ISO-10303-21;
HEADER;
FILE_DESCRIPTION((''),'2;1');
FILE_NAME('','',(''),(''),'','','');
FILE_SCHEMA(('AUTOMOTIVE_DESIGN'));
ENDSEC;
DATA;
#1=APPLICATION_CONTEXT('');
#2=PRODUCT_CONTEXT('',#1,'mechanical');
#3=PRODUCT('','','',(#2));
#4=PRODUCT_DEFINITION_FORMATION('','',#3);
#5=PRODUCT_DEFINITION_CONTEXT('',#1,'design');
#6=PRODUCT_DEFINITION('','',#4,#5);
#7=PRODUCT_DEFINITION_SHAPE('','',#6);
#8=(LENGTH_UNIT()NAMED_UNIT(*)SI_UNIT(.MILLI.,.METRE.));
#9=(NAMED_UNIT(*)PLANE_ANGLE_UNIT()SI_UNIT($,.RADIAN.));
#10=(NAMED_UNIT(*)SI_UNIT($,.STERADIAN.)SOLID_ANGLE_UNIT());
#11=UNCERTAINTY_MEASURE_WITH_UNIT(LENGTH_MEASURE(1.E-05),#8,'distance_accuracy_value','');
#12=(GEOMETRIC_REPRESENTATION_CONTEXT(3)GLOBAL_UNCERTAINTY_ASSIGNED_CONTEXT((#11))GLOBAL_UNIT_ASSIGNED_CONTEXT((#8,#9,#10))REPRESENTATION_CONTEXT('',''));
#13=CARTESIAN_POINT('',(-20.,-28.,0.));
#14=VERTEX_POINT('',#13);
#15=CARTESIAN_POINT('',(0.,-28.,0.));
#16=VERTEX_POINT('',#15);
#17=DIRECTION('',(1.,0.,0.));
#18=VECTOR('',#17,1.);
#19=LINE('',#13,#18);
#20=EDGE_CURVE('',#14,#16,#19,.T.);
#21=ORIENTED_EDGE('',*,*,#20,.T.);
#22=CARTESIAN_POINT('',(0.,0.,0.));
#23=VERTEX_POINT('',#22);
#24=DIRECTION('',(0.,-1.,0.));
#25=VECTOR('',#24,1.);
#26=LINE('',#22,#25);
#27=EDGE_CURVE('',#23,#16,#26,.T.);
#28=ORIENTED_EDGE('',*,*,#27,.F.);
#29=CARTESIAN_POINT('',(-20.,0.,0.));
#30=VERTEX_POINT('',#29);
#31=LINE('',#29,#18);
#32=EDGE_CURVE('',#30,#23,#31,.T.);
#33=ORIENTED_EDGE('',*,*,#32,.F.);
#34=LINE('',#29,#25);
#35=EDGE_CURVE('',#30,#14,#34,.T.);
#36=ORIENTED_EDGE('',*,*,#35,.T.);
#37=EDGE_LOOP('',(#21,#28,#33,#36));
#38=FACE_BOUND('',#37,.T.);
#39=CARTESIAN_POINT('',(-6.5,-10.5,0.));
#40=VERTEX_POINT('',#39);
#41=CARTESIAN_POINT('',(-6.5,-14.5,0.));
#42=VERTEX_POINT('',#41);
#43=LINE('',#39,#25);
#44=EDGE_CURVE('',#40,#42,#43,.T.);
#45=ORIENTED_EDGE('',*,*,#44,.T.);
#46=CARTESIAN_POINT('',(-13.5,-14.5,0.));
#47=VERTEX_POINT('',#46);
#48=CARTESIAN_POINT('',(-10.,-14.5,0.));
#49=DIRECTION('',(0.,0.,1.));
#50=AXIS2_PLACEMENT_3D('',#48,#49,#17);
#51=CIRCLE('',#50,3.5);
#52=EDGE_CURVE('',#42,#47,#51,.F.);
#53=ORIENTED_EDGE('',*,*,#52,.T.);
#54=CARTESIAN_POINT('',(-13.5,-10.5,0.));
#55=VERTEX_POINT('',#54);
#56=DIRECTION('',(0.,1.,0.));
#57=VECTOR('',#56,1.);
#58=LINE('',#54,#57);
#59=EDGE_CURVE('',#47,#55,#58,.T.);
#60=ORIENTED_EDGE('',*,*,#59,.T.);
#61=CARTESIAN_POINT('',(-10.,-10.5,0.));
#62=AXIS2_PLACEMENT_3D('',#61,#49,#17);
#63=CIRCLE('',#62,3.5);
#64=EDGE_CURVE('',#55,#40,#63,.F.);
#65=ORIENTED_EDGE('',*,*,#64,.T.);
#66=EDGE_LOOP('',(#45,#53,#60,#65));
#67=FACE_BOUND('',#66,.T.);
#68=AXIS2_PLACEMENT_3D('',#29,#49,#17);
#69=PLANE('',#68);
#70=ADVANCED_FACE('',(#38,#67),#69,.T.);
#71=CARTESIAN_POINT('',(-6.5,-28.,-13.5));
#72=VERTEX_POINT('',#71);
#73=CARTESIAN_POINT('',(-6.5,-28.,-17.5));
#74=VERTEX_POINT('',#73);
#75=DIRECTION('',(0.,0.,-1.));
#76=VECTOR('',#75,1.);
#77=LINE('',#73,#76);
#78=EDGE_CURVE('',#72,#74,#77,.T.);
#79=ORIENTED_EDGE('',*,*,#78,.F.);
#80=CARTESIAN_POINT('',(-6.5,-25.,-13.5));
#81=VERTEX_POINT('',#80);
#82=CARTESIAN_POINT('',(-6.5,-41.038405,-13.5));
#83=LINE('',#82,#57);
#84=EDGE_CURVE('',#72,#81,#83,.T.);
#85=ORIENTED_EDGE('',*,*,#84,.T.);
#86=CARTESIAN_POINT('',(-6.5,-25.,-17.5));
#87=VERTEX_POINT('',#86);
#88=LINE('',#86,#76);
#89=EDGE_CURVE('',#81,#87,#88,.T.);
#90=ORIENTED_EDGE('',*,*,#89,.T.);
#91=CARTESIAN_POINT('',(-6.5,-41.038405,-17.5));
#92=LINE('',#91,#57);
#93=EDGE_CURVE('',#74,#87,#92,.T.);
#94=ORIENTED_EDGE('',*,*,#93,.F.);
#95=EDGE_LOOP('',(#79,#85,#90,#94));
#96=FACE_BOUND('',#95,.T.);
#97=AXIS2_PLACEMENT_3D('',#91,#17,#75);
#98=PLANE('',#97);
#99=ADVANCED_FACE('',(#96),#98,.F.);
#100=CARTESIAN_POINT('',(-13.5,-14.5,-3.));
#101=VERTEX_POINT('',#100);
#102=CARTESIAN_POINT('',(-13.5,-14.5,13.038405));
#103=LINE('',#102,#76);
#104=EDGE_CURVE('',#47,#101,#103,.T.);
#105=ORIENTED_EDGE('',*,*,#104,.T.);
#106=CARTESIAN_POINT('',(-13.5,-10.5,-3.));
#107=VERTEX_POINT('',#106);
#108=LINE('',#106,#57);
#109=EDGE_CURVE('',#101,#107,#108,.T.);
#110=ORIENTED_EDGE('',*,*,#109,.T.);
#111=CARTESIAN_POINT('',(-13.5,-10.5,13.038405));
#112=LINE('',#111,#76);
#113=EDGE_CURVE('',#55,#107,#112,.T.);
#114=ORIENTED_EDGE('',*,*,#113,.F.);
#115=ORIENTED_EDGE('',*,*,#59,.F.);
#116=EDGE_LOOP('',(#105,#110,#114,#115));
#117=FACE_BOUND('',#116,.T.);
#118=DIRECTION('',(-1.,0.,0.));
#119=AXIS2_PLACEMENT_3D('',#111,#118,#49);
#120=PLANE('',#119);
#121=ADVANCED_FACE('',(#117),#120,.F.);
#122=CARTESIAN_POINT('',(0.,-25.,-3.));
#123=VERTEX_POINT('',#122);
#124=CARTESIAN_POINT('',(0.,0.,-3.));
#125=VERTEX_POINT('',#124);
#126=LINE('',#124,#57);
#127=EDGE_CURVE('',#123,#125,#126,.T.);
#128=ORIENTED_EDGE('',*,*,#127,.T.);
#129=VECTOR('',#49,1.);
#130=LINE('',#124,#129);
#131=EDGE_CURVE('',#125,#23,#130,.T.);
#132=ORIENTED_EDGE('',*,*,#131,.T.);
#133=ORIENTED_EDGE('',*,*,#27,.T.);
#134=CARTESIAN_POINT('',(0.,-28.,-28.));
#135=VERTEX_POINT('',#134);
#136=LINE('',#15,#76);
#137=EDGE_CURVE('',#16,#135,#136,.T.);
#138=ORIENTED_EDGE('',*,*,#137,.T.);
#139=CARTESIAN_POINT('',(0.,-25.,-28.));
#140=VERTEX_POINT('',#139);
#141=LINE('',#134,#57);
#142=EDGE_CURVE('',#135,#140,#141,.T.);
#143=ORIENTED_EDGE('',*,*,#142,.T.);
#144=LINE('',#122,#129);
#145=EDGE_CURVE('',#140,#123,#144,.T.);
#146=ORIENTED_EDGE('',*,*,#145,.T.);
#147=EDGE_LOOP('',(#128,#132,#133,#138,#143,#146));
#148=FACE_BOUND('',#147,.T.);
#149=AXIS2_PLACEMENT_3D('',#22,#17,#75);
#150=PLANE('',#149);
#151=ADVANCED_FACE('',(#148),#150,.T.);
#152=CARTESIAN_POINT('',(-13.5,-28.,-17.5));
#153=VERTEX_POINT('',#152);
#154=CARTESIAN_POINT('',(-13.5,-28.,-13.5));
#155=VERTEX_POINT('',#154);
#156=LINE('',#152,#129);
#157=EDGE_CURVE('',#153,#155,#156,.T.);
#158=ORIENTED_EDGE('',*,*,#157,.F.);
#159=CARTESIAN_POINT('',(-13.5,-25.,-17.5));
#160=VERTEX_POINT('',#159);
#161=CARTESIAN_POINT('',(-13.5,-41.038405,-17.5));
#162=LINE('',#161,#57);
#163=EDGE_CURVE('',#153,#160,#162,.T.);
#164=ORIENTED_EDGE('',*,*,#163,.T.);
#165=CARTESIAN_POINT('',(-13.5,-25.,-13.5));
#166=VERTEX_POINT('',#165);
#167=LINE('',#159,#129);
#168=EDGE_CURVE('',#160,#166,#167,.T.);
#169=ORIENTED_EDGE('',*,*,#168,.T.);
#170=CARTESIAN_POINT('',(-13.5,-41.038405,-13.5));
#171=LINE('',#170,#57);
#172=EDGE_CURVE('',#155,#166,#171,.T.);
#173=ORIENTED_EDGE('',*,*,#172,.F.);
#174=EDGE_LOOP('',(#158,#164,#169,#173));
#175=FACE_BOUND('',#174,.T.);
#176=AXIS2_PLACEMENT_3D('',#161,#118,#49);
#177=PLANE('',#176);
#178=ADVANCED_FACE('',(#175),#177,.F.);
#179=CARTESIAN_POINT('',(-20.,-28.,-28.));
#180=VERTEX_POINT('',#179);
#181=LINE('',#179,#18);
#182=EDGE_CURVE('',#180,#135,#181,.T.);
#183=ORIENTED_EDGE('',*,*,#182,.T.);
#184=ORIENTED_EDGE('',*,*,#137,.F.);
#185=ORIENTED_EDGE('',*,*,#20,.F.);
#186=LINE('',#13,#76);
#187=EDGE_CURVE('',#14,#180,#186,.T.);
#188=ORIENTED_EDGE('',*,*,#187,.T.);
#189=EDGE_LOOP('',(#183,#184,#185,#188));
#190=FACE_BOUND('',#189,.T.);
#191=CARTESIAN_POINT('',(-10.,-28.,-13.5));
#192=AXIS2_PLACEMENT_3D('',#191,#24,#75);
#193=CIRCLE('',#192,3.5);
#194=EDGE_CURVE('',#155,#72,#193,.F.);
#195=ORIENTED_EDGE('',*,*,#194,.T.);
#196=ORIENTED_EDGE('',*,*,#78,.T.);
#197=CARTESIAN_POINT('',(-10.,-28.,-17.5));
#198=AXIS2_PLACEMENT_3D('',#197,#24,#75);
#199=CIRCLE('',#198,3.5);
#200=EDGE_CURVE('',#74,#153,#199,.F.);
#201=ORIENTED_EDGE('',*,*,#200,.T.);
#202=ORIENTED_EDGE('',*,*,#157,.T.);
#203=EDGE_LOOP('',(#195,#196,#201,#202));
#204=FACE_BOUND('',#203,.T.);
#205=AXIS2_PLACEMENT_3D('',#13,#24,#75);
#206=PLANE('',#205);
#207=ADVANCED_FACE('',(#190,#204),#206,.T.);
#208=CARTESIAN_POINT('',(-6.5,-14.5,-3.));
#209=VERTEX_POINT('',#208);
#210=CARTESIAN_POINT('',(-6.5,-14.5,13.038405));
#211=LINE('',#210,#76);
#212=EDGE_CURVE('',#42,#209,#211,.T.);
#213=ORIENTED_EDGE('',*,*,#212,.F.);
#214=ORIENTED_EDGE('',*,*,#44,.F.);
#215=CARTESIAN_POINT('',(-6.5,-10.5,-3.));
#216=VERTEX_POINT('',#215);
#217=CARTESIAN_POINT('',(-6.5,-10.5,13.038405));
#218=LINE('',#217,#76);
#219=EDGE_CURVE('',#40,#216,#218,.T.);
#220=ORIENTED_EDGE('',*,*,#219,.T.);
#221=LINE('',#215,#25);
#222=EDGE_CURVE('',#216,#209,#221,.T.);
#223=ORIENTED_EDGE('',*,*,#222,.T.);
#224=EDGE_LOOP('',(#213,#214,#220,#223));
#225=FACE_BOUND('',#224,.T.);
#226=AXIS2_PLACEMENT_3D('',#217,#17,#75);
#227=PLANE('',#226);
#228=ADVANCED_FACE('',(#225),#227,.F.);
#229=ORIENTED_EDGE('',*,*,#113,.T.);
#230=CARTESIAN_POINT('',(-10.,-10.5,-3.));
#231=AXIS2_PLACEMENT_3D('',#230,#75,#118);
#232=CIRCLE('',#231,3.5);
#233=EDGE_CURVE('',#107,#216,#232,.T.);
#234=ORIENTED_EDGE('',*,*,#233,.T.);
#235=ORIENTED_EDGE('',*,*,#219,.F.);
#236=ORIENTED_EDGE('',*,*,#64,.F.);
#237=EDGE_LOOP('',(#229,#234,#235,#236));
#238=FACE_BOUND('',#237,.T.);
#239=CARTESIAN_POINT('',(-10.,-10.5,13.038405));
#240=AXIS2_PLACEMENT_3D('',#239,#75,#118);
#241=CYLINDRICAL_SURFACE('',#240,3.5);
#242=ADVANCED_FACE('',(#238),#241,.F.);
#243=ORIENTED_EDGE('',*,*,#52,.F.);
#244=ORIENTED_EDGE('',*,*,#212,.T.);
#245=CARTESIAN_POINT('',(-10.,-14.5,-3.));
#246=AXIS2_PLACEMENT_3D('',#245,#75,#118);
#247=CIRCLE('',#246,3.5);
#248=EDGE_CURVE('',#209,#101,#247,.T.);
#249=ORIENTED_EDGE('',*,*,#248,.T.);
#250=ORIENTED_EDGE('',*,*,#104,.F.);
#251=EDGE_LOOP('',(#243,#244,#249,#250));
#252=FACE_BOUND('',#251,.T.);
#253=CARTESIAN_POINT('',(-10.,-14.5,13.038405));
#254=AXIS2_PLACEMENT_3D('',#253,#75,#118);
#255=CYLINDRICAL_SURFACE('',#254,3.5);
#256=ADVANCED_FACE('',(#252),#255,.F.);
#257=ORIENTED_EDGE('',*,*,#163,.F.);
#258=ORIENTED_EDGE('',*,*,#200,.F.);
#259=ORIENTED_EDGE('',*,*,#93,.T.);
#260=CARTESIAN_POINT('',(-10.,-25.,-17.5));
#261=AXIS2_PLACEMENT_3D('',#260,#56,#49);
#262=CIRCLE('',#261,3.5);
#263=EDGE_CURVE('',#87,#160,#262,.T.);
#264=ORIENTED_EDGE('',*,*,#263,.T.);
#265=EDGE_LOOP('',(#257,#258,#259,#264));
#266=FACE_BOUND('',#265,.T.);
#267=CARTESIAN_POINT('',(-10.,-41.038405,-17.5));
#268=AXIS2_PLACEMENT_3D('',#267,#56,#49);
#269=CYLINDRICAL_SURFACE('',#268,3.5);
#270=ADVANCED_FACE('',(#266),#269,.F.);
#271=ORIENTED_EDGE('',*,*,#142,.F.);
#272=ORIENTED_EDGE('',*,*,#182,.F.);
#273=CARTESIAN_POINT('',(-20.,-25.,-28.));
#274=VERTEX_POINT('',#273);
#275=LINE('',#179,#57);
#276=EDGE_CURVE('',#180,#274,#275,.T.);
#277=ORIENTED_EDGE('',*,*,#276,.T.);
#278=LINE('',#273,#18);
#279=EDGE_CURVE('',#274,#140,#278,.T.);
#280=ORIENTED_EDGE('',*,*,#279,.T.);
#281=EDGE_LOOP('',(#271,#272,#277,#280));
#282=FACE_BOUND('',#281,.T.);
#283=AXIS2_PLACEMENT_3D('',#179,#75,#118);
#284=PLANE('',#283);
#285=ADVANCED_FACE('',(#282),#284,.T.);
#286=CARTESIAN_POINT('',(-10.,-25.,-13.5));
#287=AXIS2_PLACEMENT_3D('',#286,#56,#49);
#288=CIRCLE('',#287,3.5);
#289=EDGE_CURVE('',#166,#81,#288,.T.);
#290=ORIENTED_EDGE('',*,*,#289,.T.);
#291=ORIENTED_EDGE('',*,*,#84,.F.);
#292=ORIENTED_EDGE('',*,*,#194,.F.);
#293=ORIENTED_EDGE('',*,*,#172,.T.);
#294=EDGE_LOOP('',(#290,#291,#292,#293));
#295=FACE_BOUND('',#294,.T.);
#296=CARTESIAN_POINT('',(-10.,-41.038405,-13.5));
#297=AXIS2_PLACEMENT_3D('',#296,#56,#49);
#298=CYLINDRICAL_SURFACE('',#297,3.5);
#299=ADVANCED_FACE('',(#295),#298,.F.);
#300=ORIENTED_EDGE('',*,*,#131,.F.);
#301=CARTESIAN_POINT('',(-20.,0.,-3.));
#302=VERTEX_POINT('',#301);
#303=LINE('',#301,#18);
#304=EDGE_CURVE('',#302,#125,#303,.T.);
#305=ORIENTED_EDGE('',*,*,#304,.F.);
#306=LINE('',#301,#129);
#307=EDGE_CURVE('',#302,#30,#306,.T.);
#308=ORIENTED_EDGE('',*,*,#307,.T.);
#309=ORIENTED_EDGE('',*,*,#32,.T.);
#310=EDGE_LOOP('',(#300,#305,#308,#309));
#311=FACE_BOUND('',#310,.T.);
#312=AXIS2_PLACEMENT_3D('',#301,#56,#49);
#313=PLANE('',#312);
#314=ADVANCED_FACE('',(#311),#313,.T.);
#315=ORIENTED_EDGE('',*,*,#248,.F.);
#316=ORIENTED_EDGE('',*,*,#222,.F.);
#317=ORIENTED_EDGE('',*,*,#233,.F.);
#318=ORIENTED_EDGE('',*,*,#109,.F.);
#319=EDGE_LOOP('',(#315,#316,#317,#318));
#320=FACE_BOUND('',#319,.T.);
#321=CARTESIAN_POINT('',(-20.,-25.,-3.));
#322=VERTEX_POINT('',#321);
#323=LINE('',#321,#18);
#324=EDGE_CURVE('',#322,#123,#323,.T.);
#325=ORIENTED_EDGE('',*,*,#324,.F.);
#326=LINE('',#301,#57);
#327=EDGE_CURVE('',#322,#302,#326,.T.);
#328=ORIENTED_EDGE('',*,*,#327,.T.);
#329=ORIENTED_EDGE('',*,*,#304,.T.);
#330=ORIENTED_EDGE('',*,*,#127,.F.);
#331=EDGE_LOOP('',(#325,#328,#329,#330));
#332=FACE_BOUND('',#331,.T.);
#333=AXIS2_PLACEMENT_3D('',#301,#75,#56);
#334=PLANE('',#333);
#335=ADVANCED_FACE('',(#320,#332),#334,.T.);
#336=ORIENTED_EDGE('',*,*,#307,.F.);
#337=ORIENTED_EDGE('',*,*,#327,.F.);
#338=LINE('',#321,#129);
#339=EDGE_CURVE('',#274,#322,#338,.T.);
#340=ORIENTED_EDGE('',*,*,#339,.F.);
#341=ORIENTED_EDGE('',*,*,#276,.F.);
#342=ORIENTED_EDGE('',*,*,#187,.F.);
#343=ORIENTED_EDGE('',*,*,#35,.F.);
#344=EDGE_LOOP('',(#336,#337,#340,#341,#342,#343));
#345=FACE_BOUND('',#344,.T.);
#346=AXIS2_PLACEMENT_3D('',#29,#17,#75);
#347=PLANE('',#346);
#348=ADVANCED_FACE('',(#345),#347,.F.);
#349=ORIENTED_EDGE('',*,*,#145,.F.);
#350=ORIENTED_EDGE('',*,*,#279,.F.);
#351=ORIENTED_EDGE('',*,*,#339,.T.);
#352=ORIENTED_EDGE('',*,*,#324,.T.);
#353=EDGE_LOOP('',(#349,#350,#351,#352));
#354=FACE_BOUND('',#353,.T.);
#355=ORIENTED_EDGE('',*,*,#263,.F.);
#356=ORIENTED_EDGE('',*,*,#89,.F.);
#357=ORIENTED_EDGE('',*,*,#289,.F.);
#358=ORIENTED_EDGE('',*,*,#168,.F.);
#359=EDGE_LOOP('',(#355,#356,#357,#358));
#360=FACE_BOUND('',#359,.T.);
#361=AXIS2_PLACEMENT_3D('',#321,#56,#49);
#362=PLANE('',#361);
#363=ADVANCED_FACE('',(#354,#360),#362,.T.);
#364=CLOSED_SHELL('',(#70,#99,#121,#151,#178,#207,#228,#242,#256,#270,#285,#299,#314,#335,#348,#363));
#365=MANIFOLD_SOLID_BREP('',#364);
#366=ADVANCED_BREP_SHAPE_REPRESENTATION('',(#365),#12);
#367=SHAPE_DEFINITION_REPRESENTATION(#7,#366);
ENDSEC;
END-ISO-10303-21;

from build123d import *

# Parameters (mm, degrees)
BOSS_EXTRUDE2_DEPTH = 20
CUT_EXTRUDE1_DEPTH  = 3
CUT_EXTRUDE2_DEPTH  = 3


with BuildPart() as part:
    # Sketch1 → Boss-Extrude2 (new body)
    with BuildSketch(Plane(origin=(0, 0, 0), x_dir=(0, 0, -1), z_dir=(1, 0, 0))):
        Polygon((0, 0), (0, -28), (28, -28), (28, -25), (3, -25), (3, 0), align=None)
    extrude(amount=-BOSS_EXTRUDE2_DEPTH)

    # Sketch4 → Cut-Extrude1 (cut)
    with BuildSketch(Plane(origin=(0, -25, 0), x_dir=(1, 0, 0), z_dir=(0, 1, 0))):
        with BuildLine():
            Line((-6.5, 17.5), (-6.5, 13.5))
            ThreePointArc((-6.5, 13.5), (-10, 10), (-13.5, 13.5))
            Line((-13.5, 13.5), (-13.5, 17.5))
            ThreePointArc((-13.5, 17.5), (-10, 21), (-6.5, 17.5))
        make_face()
    extrude(amount=-CUT_EXTRUDE1_DEPTH, mode=Mode.SUBTRACT)

    # Sketch5 → Cut-Extrude2 (cut)
    with BuildSketch(Plane(origin=(0, 0, -3), x_dir=(-1, 0, 0), z_dir=(0, 0, -1))):
        with BuildLine():
            Line((13.5, -10.5), (13.5, -14.5))
            ThreePointArc((13.5, -14.5), (10, -18), (6.5, -14.5))
            Line((6.5, -14.5), (6.5, -10.5))
            ThreePointArc((6.5, -10.5), (10, -7), (13.5, -10.5))
        make_face()
    extrude(amount=-CUT_EXTRUDE2_DEPTH, mode=Mode.SUBTRACT)


solid = part.part
